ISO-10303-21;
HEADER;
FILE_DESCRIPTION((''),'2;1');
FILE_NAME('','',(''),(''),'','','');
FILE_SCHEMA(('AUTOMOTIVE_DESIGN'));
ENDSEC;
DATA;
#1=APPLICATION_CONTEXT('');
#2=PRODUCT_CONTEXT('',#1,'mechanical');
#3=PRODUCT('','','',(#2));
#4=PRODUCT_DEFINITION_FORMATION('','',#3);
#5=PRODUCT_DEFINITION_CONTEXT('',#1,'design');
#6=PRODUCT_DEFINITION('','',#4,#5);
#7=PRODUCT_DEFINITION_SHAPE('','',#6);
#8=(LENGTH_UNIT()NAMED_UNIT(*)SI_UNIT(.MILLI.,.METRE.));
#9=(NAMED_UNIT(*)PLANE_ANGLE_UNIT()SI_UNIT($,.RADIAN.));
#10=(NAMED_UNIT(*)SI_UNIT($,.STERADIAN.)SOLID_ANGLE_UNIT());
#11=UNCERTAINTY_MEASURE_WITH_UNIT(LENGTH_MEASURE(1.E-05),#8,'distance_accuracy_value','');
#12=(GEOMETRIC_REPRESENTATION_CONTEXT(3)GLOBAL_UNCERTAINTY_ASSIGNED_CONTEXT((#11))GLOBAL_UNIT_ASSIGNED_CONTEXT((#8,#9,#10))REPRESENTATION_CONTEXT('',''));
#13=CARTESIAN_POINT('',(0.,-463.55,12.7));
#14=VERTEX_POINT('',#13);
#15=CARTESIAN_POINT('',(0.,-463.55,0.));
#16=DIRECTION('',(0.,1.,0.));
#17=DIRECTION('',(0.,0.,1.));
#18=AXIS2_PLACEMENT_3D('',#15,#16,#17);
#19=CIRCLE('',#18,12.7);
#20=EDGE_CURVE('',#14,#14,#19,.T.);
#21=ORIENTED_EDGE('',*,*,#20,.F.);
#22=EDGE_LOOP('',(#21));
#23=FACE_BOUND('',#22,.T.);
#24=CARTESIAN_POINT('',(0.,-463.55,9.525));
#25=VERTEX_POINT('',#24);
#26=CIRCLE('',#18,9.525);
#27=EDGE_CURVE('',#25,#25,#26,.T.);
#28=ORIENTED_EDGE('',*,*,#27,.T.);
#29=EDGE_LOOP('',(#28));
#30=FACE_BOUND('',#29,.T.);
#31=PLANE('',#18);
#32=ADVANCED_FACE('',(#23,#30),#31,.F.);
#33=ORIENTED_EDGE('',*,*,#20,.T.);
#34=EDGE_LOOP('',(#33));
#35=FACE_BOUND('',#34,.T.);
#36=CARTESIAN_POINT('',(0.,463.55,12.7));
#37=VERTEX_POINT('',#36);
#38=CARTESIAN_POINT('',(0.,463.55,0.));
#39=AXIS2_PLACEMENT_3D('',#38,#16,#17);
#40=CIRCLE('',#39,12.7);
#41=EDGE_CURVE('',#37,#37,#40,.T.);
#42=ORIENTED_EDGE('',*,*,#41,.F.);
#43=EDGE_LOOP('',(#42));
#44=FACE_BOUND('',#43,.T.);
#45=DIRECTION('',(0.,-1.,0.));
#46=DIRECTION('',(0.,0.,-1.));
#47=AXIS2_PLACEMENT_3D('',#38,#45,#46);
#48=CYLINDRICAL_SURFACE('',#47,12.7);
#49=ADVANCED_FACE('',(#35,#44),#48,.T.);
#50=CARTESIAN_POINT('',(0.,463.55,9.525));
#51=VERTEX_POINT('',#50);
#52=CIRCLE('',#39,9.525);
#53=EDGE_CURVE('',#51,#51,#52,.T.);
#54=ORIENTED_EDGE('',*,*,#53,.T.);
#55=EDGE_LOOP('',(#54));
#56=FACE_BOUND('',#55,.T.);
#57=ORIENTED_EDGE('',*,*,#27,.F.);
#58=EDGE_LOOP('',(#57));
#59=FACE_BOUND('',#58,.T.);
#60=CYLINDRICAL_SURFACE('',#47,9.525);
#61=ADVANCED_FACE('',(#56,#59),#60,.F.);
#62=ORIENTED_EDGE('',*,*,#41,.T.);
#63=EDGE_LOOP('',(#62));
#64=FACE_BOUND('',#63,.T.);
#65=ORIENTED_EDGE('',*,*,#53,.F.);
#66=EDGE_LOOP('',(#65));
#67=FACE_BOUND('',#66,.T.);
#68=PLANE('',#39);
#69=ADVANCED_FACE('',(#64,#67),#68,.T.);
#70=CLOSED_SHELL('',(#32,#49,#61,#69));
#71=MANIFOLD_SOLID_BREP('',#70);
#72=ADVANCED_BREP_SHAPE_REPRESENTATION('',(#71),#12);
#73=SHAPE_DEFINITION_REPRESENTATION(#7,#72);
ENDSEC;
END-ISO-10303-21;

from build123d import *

# Parameters (mm, degrees)
SKETCH1_R           = 12.7
SKETCH1_R_2         = 9.525
BOSS_EXTRUDE1_DEPTH = 463.55


with BuildPart() as part:
    # Sketch1 → Boss-Extrude1 (new body, symmetric)
    with BuildSketch(Plane(origin=(0, 0, 0), x_dir=(1, 0, 0), z_dir=(0, 1, 0))):
        Circle(SKETCH1_R)
        Circle(SKETCH1_R_2, mode=Mode.SUBTRACT)
    extrude(amount=BOSS_EXTRUDE1_DEPTH, both=True)


solid = part.part
